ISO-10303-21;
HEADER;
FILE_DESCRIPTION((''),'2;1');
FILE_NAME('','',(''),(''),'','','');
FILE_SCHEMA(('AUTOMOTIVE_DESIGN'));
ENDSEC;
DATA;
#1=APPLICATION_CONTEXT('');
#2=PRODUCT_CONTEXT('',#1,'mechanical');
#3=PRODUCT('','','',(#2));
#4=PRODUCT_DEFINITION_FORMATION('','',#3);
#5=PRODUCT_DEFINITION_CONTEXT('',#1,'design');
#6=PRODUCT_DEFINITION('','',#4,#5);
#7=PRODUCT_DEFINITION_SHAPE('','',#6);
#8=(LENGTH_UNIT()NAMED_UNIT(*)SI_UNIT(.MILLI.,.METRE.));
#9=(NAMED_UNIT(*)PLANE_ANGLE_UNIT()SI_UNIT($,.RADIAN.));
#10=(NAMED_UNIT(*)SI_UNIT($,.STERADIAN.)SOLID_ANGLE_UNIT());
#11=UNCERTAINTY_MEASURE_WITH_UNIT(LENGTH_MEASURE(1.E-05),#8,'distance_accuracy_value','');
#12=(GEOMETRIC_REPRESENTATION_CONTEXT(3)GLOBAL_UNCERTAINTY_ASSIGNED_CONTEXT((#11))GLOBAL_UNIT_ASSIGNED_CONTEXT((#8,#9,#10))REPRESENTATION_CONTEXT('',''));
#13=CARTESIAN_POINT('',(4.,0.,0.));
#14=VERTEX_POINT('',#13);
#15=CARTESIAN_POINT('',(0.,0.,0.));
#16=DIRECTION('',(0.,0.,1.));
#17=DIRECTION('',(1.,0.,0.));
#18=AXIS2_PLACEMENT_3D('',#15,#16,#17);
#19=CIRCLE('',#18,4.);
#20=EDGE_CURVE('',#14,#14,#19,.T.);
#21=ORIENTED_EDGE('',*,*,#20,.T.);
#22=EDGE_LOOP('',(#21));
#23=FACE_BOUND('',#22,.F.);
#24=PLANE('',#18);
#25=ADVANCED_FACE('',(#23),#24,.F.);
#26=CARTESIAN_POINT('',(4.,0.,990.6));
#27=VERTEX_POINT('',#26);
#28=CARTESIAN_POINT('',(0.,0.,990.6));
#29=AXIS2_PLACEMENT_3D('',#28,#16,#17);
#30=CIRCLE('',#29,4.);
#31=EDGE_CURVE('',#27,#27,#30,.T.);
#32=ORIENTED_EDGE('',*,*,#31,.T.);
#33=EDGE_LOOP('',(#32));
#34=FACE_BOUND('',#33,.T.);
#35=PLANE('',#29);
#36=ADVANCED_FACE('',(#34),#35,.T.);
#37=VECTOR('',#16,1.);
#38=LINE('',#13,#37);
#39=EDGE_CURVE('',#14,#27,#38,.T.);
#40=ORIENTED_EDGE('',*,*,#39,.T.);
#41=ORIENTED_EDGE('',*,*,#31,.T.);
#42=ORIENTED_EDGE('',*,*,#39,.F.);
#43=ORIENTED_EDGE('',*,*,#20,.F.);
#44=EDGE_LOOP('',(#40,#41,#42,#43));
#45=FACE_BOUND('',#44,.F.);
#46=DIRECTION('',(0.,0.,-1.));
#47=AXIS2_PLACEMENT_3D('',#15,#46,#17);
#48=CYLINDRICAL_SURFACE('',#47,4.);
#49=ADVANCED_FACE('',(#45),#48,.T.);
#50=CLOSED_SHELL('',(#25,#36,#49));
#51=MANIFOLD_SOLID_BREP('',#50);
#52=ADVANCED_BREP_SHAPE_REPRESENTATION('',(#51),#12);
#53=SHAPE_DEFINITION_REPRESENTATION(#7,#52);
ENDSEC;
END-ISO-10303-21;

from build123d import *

# Parameters (mm, degrees)
CYLINDER_R     = 4
CYLINDER_DEPTH = 990.6


with BuildPart() as part:
    # Cylinder → Cylinder (new body)
    with BuildSketch(Plane.XY):
        Circle(CYLINDER_R)
    extrude(amount=CYLINDER_DEPTH)


solid = part.part
